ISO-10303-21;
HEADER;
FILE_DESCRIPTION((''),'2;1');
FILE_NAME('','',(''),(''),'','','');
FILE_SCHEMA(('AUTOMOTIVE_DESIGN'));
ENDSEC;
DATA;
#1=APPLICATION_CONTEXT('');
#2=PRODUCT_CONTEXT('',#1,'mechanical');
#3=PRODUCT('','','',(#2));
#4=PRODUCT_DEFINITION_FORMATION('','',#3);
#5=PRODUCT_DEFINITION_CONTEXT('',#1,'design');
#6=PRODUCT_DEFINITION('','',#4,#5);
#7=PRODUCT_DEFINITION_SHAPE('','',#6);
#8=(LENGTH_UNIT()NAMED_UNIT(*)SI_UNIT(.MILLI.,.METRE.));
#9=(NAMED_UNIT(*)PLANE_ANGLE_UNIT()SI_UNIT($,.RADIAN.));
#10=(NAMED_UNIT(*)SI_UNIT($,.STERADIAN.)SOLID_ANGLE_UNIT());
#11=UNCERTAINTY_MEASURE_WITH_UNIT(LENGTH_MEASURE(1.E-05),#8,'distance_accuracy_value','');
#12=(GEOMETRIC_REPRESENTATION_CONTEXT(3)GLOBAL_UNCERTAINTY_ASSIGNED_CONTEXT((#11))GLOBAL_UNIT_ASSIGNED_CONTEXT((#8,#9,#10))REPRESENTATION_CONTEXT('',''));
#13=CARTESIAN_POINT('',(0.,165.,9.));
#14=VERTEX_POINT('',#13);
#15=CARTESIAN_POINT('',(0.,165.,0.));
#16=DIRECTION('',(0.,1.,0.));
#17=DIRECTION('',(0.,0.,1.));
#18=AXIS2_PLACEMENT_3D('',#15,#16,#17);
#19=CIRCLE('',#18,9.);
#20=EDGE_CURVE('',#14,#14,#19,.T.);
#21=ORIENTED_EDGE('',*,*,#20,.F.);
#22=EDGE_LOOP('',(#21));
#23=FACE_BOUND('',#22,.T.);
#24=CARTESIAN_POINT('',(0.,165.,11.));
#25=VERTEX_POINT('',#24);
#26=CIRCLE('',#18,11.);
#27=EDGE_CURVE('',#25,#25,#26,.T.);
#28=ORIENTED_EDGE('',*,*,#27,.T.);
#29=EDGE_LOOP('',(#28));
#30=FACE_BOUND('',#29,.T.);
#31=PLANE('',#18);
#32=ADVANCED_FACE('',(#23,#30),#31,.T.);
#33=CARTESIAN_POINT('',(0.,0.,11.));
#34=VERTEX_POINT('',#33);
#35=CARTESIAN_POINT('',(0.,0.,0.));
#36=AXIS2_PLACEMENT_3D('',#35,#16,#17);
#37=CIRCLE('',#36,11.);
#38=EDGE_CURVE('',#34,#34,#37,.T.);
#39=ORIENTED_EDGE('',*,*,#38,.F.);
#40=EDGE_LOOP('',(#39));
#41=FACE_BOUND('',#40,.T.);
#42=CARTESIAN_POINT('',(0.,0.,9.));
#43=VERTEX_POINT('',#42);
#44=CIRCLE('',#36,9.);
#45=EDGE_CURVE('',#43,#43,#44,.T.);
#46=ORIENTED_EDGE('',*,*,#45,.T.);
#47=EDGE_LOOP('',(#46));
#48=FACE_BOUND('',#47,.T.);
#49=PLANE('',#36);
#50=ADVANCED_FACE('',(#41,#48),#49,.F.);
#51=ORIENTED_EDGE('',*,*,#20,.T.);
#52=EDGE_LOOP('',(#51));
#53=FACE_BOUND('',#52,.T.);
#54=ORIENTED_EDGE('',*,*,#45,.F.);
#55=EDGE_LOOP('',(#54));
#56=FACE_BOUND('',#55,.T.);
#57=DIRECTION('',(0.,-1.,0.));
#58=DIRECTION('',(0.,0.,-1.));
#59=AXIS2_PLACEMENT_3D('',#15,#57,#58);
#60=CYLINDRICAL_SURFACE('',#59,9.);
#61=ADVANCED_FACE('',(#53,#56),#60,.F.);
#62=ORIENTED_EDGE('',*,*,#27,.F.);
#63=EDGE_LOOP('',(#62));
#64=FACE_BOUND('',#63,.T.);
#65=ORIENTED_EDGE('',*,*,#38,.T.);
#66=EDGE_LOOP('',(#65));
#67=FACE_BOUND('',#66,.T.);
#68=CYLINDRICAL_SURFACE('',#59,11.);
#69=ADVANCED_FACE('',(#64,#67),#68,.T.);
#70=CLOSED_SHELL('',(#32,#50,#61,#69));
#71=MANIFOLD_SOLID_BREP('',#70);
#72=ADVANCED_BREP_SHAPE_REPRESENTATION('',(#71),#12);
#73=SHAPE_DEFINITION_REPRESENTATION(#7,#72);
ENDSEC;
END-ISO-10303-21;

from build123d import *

# Parameters (mm, degrees)
ESBO_O1_R                = 11
ESBO_O1_R_2              = 9
RESSALTO_EXTRUS_O1_DEPTH = 165


with BuildPart() as part:
    # Esboço1 → Ressalto-extrusão1 (new body)
    with BuildSketch(Plane(origin=(0, 0, 0), x_dir=(1, 0, 0), z_dir=(0, 1, 0))):
        Circle(ESBO_O1_R)
        Circle(ESBO_O1_R_2, mode=Mode.SUBTRACT)
    extrude(amount=RESSALTO_EXTRUS_O1_DEPTH)


solid = part.part
